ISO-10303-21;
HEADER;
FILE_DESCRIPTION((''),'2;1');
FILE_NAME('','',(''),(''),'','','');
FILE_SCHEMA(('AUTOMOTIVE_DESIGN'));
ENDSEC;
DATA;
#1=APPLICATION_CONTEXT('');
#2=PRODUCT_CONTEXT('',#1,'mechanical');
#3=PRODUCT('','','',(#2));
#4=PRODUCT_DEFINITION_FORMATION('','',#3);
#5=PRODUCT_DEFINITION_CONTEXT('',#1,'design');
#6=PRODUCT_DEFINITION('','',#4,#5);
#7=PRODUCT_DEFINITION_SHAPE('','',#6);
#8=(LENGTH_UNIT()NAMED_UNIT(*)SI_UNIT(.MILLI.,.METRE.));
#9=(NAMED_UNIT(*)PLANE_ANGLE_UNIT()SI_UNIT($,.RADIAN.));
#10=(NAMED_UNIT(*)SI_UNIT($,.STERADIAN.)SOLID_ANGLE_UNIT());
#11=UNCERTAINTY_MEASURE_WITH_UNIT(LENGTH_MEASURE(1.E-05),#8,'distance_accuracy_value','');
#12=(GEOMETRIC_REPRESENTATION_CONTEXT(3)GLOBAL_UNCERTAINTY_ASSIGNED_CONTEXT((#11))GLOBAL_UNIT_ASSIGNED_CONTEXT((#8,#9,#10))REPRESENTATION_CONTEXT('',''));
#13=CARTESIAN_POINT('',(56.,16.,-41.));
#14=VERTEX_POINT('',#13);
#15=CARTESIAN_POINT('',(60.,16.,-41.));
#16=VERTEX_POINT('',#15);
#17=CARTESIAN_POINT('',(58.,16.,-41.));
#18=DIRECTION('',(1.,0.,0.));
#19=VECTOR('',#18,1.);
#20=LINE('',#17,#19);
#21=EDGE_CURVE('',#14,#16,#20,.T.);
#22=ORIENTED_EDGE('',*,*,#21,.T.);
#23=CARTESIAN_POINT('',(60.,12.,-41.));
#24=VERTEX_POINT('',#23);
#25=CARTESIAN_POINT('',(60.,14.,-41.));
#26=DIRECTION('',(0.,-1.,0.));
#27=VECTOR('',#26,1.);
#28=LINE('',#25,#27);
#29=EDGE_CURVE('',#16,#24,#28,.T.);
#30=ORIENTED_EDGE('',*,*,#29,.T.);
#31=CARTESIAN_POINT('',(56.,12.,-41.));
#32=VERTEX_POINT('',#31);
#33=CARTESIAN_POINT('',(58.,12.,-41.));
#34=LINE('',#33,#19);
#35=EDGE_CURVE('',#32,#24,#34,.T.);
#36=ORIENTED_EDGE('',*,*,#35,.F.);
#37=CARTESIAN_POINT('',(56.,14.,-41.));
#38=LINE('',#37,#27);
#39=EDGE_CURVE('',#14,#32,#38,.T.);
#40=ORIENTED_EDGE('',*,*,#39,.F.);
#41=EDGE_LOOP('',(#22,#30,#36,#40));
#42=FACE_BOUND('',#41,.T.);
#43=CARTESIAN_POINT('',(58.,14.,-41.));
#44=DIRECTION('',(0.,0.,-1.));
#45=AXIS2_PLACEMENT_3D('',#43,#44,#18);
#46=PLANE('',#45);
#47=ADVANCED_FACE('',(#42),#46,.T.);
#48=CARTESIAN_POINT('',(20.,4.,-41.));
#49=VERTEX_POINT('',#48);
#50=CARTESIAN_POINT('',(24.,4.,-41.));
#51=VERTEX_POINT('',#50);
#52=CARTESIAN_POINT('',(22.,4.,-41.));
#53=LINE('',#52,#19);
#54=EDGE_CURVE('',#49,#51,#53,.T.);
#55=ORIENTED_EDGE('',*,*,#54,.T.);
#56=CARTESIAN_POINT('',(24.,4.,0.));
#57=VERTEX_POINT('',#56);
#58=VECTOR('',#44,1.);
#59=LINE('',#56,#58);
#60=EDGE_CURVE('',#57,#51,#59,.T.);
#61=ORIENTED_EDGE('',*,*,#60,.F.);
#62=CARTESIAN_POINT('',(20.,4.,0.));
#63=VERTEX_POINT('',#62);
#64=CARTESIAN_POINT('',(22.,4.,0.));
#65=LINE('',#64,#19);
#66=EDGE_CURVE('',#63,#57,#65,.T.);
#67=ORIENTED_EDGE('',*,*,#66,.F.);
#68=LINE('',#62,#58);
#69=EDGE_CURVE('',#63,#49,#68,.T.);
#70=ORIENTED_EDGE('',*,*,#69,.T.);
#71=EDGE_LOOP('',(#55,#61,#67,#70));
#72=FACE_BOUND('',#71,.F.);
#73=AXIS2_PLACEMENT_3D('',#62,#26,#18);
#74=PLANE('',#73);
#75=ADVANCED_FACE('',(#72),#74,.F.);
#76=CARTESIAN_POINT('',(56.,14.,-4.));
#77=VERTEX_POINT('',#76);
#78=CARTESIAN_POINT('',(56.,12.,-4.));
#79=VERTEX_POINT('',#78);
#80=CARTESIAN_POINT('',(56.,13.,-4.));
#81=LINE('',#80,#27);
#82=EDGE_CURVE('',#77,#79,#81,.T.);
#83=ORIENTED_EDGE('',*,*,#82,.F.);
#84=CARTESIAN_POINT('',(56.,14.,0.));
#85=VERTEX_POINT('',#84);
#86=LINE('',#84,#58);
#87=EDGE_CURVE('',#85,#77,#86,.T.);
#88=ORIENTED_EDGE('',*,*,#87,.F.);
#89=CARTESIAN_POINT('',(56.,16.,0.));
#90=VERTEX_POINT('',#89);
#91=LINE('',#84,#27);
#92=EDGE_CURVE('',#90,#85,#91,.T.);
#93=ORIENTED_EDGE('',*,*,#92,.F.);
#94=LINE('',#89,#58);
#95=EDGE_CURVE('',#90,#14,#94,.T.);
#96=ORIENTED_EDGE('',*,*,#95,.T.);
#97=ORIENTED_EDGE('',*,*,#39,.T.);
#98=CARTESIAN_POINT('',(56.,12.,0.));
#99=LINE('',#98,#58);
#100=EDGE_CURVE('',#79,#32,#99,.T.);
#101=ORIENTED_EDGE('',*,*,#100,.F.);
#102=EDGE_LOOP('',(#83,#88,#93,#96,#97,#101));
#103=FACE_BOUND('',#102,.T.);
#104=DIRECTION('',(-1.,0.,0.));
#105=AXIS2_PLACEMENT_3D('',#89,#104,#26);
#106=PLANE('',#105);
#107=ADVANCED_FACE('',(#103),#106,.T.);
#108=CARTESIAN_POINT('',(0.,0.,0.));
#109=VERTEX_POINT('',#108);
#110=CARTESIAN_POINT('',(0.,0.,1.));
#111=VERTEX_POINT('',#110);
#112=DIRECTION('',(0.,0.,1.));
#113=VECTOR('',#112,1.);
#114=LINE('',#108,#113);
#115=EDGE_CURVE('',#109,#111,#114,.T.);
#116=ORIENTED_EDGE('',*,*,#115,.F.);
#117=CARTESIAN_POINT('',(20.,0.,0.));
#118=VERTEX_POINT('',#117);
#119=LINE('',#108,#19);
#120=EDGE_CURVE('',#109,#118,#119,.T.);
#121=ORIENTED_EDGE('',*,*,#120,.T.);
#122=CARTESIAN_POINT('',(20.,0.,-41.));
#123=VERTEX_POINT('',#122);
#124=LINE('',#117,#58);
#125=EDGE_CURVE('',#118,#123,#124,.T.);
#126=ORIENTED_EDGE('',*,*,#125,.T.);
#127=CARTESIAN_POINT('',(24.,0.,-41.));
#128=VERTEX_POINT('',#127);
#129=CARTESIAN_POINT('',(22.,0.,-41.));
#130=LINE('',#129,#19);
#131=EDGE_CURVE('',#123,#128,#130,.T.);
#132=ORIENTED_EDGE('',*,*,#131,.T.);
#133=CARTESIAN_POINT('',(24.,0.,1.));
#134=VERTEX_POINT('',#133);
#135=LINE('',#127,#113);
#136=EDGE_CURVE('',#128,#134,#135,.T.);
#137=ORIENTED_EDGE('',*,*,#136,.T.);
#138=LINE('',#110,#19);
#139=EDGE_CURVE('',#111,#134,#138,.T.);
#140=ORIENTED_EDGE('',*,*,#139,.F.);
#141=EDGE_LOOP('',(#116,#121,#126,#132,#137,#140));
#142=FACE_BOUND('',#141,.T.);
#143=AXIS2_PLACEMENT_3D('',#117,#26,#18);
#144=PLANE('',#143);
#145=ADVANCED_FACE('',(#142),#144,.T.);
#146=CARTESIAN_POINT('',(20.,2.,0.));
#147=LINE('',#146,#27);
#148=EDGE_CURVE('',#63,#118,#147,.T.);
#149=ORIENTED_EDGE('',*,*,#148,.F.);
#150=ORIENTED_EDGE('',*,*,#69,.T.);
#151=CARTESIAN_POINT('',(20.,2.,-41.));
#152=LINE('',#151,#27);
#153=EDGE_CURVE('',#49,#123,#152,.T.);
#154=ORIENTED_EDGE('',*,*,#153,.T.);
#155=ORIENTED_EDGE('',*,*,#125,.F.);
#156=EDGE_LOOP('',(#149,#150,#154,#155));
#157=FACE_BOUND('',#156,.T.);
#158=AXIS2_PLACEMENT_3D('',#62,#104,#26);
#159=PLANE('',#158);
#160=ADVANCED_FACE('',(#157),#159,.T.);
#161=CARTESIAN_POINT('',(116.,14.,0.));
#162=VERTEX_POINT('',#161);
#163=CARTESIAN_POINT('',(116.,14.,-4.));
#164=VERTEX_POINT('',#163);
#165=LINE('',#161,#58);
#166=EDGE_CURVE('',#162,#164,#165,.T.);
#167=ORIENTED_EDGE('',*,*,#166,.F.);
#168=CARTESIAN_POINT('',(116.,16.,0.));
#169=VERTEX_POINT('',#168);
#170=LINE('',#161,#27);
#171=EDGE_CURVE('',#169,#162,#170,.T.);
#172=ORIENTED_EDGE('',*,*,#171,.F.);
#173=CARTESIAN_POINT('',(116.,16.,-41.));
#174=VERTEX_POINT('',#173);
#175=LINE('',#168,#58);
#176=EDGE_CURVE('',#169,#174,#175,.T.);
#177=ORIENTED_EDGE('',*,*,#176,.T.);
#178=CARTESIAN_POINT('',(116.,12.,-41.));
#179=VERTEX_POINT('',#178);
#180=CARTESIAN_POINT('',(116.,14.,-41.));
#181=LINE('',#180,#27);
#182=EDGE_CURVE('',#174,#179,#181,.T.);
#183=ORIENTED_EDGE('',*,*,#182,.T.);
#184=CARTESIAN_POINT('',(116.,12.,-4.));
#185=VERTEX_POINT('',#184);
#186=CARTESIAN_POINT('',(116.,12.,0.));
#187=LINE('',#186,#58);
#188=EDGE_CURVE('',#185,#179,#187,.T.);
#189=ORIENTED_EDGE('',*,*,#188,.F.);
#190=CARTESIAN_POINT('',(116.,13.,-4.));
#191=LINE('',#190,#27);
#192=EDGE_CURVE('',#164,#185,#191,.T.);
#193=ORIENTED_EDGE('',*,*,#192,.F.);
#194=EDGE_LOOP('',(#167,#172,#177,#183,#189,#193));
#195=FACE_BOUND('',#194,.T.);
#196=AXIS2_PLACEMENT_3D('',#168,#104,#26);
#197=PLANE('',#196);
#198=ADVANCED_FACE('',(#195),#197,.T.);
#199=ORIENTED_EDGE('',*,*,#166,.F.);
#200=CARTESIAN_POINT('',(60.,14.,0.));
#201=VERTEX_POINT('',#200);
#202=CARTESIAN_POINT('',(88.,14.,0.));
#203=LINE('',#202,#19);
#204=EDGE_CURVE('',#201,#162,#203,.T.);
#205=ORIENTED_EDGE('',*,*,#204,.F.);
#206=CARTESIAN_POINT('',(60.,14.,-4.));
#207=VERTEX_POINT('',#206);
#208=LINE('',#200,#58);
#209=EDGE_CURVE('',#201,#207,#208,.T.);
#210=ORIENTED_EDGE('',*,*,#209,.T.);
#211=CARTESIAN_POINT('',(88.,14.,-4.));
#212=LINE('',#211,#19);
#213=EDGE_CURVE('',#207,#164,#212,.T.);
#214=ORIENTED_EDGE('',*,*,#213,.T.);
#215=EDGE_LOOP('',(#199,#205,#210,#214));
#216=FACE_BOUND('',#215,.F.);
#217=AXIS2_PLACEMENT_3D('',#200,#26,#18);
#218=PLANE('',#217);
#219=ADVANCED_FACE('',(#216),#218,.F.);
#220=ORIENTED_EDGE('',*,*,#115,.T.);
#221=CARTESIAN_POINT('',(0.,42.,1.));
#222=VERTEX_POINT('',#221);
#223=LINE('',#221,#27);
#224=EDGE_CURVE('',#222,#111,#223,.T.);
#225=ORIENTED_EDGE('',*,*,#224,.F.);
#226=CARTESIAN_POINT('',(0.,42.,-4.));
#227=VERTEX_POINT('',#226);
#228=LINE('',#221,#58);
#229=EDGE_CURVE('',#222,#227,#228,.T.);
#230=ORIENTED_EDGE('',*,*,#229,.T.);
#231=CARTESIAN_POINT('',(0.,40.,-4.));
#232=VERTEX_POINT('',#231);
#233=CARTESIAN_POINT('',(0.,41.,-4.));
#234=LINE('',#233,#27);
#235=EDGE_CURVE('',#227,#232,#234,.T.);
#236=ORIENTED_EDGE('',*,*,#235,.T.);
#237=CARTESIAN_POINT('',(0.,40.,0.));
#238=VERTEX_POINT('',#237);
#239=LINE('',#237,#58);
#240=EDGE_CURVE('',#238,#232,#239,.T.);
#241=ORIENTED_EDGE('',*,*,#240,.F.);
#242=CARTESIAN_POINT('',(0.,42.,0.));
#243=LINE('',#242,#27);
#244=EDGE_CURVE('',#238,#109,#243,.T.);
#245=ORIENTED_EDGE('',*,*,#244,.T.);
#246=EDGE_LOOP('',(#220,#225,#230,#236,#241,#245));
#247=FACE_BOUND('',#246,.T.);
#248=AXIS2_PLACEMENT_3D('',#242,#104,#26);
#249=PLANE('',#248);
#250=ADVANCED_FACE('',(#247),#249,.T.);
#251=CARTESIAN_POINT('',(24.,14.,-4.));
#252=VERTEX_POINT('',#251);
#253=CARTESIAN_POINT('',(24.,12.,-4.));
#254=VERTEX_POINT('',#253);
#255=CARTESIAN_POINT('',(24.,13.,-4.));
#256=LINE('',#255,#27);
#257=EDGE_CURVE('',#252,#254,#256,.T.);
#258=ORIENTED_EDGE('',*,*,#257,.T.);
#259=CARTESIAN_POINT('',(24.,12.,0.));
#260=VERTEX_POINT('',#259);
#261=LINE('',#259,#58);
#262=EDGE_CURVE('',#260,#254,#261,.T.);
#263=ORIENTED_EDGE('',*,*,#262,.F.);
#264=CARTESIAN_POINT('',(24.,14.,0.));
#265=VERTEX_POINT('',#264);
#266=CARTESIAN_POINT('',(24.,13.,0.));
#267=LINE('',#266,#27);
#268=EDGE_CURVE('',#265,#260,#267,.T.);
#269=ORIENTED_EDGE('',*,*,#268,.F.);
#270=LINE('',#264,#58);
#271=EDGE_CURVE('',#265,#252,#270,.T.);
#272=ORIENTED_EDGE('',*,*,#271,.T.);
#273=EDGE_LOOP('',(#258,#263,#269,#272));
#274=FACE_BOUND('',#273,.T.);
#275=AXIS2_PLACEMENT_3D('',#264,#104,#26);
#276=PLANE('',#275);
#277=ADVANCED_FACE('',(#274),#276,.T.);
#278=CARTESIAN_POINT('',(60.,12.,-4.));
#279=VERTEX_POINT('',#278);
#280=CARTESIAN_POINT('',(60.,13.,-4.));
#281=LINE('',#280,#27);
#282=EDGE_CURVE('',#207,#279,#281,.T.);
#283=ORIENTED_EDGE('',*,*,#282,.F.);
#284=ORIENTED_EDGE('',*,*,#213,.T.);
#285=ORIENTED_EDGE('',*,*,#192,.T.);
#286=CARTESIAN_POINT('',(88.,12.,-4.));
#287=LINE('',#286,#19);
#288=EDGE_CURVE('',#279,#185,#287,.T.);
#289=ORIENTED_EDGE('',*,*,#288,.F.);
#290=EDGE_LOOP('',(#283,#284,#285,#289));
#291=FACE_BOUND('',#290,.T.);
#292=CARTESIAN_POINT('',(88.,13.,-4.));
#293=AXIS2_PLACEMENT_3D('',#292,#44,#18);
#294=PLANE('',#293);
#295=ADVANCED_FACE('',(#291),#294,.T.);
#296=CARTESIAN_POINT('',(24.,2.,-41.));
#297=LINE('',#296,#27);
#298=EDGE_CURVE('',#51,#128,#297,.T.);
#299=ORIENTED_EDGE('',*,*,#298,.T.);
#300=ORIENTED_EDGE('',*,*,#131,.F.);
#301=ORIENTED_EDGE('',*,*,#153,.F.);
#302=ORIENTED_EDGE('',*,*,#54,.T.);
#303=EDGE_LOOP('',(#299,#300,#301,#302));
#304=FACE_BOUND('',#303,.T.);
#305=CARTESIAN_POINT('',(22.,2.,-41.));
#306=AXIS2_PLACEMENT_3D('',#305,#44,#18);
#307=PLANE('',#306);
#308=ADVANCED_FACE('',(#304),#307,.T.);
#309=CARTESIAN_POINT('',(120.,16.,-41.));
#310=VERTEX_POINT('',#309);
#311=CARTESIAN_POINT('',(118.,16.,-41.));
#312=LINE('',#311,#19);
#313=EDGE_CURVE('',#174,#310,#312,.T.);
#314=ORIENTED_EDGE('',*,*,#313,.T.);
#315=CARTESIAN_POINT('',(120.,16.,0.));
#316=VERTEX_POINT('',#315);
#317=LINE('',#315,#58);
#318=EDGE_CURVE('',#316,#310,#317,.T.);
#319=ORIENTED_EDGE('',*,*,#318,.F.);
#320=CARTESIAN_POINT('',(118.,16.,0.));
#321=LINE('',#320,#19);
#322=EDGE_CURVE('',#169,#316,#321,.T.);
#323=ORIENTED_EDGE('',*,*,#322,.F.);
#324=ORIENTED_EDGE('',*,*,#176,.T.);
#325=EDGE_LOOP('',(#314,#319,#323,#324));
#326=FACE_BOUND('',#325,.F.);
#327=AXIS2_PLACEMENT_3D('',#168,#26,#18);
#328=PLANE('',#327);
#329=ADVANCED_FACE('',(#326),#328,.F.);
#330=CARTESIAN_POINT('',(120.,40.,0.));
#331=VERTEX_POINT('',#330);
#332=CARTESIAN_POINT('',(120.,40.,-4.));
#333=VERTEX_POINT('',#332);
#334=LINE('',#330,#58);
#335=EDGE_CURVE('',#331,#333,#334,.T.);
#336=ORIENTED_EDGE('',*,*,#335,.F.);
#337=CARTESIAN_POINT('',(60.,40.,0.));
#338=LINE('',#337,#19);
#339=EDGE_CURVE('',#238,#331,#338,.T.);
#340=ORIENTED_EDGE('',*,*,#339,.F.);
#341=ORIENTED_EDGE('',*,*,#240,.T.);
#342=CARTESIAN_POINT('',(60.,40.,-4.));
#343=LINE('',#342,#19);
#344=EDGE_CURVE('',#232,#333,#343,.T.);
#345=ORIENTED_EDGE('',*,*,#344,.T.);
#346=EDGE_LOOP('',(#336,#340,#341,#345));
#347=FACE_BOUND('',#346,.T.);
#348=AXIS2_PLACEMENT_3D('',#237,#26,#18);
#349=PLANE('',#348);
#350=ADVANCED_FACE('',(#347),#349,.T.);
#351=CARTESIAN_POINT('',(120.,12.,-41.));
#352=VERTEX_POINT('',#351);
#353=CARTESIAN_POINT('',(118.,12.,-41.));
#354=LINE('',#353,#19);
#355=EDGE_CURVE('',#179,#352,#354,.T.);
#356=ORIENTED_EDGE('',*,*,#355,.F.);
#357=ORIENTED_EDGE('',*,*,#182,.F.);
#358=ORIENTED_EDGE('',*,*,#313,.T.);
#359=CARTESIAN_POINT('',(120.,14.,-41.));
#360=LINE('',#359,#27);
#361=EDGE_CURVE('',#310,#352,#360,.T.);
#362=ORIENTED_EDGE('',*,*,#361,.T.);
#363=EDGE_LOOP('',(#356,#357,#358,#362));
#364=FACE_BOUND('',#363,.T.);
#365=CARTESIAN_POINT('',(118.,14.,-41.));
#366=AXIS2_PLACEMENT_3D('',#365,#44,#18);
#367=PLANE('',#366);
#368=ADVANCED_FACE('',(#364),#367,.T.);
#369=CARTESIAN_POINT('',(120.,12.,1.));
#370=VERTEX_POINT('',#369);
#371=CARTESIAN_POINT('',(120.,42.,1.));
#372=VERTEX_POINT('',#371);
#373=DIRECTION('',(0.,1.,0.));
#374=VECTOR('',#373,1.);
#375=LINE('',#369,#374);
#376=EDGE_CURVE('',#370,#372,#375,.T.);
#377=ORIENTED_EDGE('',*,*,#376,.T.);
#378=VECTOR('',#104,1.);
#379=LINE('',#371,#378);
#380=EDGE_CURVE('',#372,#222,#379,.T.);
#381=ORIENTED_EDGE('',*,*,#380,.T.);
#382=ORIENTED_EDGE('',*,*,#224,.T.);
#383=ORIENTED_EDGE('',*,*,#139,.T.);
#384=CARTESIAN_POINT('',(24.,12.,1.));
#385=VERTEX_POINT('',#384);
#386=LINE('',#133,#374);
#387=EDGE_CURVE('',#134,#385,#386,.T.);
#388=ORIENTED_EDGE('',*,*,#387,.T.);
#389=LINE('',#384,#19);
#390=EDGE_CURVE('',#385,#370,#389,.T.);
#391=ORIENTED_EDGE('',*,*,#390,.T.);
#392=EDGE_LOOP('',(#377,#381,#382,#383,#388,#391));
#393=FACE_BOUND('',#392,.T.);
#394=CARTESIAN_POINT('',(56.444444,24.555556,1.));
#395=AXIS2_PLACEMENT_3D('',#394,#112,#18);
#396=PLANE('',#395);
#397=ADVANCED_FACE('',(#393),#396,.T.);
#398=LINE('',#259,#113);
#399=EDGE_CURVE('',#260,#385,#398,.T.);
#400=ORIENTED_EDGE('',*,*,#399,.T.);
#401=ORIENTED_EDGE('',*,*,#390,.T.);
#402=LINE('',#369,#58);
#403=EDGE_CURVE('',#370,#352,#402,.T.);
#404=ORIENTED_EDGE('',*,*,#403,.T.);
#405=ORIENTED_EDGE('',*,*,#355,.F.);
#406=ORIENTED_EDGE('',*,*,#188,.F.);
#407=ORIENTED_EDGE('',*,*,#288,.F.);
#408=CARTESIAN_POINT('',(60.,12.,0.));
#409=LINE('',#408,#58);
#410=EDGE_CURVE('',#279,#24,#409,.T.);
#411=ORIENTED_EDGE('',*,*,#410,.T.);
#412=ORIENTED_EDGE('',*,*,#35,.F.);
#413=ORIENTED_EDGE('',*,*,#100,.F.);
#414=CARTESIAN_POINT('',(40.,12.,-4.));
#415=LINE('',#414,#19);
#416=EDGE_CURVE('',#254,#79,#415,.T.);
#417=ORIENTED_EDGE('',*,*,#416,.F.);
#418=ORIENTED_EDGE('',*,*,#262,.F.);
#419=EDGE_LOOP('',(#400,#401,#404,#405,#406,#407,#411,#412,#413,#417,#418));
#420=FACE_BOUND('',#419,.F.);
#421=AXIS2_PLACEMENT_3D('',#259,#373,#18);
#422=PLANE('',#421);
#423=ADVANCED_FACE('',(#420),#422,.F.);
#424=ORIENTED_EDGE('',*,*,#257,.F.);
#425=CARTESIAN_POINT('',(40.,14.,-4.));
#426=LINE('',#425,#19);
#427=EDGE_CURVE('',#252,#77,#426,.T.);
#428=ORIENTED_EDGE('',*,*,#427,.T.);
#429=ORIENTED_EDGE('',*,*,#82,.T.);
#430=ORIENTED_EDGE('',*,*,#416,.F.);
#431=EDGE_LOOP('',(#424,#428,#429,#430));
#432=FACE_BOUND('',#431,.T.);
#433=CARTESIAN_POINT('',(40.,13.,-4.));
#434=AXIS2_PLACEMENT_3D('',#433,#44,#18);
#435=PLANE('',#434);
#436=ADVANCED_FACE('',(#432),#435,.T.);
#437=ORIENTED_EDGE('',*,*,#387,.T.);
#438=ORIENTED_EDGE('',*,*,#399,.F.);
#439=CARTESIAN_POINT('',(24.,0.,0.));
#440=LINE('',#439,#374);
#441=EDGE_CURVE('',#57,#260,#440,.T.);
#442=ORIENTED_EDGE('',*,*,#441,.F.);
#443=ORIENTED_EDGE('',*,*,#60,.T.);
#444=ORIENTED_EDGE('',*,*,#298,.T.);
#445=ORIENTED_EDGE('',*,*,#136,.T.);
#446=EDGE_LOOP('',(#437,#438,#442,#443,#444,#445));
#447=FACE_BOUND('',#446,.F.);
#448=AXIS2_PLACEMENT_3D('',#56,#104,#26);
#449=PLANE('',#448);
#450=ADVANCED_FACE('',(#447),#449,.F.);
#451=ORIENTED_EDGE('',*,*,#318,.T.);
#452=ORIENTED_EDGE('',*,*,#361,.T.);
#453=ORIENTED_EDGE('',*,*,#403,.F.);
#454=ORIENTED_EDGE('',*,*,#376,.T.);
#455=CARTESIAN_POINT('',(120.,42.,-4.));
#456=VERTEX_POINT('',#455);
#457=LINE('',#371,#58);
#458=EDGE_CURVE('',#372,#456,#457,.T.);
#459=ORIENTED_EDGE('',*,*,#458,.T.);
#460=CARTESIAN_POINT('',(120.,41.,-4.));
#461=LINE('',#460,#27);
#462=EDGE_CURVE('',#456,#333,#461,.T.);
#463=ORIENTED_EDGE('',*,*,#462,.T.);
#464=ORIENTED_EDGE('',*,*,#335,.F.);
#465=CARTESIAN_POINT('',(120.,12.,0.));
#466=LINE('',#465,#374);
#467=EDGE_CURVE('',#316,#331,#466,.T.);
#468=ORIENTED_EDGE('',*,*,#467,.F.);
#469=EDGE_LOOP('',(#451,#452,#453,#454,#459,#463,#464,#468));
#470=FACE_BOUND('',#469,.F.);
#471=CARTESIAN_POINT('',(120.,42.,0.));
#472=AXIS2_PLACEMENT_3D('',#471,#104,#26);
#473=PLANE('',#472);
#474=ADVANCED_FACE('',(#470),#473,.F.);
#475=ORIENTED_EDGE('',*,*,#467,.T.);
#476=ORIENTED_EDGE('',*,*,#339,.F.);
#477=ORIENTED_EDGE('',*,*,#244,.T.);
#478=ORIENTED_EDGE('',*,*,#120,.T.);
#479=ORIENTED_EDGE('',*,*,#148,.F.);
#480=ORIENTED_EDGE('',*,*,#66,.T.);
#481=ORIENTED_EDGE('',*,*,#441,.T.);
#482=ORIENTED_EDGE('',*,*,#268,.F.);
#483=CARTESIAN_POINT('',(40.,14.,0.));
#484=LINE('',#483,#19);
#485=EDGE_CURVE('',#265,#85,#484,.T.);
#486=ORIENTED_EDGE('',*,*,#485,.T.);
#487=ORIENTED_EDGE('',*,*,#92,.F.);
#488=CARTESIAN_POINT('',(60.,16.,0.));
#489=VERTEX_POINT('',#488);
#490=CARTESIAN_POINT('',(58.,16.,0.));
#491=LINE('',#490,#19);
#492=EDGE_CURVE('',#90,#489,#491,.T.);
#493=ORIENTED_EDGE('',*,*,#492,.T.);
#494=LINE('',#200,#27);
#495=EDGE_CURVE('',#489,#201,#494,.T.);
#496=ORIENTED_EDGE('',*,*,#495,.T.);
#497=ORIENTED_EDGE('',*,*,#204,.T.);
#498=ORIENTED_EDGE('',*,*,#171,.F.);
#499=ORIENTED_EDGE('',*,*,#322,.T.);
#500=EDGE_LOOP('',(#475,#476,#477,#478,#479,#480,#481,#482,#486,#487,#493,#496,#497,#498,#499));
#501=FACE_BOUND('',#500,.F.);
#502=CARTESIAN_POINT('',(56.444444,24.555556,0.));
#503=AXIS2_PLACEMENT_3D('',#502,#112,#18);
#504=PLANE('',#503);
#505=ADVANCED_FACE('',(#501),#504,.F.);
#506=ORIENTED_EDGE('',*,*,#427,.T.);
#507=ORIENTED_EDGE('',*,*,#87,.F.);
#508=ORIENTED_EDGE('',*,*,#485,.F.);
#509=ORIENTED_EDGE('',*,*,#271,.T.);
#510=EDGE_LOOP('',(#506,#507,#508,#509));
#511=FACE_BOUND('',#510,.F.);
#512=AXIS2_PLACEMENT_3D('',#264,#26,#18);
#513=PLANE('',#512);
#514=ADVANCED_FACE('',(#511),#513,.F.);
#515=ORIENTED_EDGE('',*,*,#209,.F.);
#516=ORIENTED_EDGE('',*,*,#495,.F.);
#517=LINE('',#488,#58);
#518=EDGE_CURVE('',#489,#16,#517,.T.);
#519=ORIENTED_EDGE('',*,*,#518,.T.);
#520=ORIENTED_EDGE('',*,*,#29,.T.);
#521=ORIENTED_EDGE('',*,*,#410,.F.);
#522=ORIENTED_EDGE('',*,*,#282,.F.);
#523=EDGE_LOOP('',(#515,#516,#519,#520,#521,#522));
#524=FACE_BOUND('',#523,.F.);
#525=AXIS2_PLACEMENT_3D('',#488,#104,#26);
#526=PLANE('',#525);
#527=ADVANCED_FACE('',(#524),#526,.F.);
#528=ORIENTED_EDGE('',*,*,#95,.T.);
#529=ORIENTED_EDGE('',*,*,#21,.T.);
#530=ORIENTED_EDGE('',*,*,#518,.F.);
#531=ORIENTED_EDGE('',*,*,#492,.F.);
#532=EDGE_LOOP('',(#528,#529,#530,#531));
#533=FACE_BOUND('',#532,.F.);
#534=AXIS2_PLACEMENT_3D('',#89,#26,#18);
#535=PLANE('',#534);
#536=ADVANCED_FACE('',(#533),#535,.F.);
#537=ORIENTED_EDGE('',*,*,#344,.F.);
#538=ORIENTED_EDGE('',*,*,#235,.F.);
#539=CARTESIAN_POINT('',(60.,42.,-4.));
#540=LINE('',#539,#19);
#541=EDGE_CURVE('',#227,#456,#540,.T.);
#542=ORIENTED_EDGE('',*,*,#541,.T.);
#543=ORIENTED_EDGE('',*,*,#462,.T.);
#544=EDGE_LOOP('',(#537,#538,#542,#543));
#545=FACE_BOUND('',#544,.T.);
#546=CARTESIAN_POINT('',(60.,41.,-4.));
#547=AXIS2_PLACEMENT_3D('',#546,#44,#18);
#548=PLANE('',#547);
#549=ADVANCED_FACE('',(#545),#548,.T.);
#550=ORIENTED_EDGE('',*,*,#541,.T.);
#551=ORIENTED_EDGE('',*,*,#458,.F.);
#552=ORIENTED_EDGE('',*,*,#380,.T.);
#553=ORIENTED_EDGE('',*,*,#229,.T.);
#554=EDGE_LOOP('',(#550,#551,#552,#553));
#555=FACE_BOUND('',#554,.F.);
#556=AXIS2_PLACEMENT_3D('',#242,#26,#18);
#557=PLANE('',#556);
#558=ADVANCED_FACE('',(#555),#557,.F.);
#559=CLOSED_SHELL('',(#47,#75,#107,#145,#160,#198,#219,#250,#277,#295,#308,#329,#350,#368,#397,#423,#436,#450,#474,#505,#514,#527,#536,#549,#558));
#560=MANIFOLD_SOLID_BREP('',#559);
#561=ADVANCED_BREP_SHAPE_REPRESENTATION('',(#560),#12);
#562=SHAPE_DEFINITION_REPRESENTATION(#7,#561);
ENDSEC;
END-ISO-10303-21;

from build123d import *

# Parameters (mm, degrees)
F1_DEPTH = 1
F2_W     = 4
F2_H     = 4
F3_DEPTH = 41
F4_W     = 120
F4_H     = 2
F4_W_2   = 32
F4_W_3   = 56
F5_DEPTH = 4


with BuildPart() as f1:
    # F0 (on Top) → F1 (new body)
    with BuildSketch(Plane.XY):
        Polygon((0, 42), (0, 0), (24, 0), (24, 12), (120, 12), (120, 42), align=None)
    extrude(amount=F1_DEPTH)

    # F2 (on face) → F3 (join)
    with BuildSketch(Plane(origin=(0, 0, 0), x_dir=(1, 0, 0), z_dir=(0, 0, -1))):
        with Locations((22, -2)):
            Rectangle(F2_W, F2_H)
        with Locations((58, -14)):
            Rectangle(F2_W, F2_H)
        with Locations((118, -14)):
            Rectangle(F2_W, F2_H)
    extrude(amount=F3_DEPTH)

    # F4 (on face) → F5 (join)
    with BuildSketch(Plane(origin=(0, 0, 0), x_dir=(1, 0, 0), z_dir=(0, 0, -1))):
        with Locations((60, -41)):
            Rectangle(F4_W, F4_H)
        with Locations((40, -13)):
            Rectangle(F4_W_2, F4_H)
        with Locations((88, -13)):
            Rectangle(F4_W_3, F4_H)
    extrude(amount=F5_DEPTH)


solid = f1.part
